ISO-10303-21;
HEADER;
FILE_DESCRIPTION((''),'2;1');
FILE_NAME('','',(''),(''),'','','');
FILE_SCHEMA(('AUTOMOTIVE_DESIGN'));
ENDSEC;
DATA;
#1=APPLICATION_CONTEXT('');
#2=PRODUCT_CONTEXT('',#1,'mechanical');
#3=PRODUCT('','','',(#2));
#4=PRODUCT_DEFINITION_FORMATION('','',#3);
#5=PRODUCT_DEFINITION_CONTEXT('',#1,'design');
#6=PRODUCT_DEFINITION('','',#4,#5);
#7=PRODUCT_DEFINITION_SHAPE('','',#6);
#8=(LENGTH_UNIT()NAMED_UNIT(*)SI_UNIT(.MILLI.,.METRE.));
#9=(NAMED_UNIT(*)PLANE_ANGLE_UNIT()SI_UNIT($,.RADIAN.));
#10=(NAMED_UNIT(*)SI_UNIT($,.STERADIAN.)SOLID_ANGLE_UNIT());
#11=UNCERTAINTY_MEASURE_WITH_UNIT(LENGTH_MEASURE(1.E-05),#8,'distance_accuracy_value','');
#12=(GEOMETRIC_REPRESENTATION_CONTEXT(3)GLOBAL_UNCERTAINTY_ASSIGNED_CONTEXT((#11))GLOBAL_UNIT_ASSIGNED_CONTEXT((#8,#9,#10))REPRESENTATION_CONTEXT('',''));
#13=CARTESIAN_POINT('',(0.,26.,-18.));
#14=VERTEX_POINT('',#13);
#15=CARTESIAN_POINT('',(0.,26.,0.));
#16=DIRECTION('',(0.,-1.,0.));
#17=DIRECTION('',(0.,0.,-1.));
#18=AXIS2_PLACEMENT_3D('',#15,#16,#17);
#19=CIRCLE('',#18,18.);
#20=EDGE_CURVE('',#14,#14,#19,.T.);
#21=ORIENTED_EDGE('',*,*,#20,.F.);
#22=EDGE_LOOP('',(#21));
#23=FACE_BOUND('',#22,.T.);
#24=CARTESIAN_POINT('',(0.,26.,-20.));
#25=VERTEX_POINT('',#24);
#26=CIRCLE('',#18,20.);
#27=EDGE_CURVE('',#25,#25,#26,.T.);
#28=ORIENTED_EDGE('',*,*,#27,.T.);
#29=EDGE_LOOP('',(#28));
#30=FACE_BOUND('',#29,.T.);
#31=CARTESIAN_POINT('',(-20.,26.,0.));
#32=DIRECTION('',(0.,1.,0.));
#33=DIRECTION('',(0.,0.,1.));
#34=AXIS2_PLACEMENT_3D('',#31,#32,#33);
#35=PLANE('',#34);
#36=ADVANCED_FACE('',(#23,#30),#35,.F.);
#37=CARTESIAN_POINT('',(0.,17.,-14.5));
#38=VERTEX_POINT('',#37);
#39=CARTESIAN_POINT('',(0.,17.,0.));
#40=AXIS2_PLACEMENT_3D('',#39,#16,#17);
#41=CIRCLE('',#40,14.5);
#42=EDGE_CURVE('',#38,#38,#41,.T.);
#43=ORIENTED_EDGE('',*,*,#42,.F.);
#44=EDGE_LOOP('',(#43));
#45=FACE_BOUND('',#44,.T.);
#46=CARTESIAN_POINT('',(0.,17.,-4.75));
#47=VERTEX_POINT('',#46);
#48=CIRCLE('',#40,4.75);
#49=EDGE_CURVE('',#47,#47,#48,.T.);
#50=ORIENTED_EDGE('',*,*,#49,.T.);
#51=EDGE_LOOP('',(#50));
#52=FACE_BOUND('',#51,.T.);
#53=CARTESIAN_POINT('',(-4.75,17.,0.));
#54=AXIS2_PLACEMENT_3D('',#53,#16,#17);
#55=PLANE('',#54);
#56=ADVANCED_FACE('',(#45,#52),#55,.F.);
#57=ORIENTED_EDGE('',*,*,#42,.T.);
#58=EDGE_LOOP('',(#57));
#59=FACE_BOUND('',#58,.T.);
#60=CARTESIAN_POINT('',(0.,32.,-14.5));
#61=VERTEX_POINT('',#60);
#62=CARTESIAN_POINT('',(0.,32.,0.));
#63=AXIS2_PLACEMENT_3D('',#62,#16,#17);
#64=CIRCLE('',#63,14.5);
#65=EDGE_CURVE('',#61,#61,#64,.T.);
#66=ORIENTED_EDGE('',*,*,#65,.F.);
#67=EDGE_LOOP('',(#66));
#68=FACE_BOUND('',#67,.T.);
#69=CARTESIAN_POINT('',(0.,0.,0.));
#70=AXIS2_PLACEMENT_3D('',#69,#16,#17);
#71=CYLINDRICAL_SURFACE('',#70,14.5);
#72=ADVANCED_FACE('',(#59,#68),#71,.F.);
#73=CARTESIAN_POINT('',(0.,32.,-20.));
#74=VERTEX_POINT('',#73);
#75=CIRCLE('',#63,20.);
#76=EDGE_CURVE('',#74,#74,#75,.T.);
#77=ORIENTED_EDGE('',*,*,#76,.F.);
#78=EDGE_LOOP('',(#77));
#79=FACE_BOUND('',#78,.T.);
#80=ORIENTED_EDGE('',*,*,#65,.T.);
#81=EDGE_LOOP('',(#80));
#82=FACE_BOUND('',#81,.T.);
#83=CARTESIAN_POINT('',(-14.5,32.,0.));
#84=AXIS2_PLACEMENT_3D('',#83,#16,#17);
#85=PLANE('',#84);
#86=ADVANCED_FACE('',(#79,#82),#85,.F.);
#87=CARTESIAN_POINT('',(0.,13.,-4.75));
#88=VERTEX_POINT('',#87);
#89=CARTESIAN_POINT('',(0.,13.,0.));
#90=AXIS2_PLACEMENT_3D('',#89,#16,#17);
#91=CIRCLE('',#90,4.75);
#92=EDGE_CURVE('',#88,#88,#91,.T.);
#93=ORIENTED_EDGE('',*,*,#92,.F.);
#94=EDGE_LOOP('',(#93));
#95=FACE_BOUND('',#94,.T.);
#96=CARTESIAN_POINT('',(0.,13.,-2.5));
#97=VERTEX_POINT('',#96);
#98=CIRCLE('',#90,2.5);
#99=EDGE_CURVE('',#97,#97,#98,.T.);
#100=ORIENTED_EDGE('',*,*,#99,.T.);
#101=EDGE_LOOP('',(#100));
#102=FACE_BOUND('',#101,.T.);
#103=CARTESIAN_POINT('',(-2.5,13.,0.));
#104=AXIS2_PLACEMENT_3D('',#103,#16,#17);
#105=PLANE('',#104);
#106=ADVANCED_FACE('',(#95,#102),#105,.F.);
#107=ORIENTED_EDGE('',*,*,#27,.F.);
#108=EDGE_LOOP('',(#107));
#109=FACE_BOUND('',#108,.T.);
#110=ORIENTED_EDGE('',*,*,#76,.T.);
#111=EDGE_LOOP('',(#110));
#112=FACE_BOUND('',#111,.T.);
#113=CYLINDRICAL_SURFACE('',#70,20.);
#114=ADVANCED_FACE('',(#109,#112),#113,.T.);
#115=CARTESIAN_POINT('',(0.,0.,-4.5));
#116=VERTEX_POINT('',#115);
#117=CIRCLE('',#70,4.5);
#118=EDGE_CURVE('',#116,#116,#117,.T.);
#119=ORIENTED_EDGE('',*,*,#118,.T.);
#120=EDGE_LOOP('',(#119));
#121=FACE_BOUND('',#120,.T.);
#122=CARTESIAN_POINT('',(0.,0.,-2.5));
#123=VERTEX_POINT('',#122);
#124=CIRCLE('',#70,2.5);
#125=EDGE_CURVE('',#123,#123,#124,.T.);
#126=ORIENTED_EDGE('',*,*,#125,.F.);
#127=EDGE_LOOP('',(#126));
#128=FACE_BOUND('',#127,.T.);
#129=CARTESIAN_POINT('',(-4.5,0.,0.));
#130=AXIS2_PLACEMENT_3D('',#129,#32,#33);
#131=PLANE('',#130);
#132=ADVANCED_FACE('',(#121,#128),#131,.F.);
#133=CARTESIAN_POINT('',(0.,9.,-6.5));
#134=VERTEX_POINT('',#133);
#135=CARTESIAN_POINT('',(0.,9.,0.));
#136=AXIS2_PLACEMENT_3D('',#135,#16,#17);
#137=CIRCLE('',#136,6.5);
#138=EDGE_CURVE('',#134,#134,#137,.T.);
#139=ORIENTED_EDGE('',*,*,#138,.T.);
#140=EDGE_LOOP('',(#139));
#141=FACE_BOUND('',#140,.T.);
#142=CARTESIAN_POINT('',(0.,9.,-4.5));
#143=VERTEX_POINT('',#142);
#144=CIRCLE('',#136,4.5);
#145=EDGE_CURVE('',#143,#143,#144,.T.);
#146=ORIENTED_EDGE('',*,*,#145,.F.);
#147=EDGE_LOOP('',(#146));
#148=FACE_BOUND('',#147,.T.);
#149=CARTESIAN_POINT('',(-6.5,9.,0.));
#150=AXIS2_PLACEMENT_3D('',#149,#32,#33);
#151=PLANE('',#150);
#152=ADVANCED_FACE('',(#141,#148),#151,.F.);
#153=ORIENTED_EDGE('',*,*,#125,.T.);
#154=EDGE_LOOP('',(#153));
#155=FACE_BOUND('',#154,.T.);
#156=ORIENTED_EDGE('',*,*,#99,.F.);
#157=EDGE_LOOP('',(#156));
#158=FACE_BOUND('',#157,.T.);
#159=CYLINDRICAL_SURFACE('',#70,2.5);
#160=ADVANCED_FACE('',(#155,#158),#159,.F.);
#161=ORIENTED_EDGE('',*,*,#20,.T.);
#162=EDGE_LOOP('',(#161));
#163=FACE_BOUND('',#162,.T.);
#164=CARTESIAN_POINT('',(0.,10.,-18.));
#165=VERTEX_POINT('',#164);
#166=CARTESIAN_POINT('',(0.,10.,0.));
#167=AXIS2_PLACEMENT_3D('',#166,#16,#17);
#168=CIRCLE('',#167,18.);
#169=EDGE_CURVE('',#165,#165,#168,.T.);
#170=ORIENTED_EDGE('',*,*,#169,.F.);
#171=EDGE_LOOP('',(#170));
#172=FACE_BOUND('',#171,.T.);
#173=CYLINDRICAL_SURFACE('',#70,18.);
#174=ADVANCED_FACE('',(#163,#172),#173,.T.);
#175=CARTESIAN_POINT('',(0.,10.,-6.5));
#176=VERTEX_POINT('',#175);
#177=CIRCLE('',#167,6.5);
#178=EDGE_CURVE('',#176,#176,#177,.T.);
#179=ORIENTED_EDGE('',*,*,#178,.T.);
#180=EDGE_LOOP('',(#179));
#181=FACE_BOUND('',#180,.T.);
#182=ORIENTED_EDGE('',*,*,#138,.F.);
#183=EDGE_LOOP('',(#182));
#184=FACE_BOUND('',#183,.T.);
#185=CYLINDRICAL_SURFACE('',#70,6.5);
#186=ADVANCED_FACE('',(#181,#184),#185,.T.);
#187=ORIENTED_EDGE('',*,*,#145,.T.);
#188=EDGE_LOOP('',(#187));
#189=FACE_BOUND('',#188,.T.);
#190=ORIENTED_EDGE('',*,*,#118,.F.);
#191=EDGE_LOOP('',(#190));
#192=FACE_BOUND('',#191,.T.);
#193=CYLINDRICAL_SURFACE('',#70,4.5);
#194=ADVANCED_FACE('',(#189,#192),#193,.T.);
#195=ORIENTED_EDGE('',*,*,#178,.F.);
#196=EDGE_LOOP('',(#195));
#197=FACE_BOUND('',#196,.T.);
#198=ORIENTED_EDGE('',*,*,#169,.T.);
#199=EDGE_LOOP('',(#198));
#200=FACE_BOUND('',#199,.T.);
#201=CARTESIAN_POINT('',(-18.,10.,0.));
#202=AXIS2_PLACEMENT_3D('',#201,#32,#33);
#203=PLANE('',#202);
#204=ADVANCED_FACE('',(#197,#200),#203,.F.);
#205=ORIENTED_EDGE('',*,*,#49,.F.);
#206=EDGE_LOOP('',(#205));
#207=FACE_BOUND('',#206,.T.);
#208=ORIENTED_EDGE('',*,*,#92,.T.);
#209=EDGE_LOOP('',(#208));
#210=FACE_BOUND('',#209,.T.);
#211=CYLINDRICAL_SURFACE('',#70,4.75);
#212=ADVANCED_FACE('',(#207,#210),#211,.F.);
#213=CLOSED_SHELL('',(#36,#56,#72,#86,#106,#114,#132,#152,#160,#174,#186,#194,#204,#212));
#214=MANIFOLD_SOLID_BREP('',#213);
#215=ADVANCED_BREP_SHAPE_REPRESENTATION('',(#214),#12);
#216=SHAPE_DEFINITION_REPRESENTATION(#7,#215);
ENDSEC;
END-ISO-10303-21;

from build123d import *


with BuildPart() as part:
    # 草图1 → 旋转1 (revolve)
    with BuildSketch(Plane.XY, mode=Mode.PRIVATE) as revolve_1_sk:
        Polygon((-20, 32), (-20, 26), (-18, 26), (-18, 10), (-6.5, 10), (-6.5, 9), (-4.5, 9), (-4.5, 0), (-2.5, 0), (-2.5, 13), (-4.75, 13), (-4.75, 17), (-14.5, 17), (-14.5, 32), align=None)
    revolve(revolve_1_sk.sketch.rotate(Axis((0, 0, 0), (0, 1, 0)), 270), axis=Axis((0, 0, 0), (0, 1, 0)))


solid = part.part
